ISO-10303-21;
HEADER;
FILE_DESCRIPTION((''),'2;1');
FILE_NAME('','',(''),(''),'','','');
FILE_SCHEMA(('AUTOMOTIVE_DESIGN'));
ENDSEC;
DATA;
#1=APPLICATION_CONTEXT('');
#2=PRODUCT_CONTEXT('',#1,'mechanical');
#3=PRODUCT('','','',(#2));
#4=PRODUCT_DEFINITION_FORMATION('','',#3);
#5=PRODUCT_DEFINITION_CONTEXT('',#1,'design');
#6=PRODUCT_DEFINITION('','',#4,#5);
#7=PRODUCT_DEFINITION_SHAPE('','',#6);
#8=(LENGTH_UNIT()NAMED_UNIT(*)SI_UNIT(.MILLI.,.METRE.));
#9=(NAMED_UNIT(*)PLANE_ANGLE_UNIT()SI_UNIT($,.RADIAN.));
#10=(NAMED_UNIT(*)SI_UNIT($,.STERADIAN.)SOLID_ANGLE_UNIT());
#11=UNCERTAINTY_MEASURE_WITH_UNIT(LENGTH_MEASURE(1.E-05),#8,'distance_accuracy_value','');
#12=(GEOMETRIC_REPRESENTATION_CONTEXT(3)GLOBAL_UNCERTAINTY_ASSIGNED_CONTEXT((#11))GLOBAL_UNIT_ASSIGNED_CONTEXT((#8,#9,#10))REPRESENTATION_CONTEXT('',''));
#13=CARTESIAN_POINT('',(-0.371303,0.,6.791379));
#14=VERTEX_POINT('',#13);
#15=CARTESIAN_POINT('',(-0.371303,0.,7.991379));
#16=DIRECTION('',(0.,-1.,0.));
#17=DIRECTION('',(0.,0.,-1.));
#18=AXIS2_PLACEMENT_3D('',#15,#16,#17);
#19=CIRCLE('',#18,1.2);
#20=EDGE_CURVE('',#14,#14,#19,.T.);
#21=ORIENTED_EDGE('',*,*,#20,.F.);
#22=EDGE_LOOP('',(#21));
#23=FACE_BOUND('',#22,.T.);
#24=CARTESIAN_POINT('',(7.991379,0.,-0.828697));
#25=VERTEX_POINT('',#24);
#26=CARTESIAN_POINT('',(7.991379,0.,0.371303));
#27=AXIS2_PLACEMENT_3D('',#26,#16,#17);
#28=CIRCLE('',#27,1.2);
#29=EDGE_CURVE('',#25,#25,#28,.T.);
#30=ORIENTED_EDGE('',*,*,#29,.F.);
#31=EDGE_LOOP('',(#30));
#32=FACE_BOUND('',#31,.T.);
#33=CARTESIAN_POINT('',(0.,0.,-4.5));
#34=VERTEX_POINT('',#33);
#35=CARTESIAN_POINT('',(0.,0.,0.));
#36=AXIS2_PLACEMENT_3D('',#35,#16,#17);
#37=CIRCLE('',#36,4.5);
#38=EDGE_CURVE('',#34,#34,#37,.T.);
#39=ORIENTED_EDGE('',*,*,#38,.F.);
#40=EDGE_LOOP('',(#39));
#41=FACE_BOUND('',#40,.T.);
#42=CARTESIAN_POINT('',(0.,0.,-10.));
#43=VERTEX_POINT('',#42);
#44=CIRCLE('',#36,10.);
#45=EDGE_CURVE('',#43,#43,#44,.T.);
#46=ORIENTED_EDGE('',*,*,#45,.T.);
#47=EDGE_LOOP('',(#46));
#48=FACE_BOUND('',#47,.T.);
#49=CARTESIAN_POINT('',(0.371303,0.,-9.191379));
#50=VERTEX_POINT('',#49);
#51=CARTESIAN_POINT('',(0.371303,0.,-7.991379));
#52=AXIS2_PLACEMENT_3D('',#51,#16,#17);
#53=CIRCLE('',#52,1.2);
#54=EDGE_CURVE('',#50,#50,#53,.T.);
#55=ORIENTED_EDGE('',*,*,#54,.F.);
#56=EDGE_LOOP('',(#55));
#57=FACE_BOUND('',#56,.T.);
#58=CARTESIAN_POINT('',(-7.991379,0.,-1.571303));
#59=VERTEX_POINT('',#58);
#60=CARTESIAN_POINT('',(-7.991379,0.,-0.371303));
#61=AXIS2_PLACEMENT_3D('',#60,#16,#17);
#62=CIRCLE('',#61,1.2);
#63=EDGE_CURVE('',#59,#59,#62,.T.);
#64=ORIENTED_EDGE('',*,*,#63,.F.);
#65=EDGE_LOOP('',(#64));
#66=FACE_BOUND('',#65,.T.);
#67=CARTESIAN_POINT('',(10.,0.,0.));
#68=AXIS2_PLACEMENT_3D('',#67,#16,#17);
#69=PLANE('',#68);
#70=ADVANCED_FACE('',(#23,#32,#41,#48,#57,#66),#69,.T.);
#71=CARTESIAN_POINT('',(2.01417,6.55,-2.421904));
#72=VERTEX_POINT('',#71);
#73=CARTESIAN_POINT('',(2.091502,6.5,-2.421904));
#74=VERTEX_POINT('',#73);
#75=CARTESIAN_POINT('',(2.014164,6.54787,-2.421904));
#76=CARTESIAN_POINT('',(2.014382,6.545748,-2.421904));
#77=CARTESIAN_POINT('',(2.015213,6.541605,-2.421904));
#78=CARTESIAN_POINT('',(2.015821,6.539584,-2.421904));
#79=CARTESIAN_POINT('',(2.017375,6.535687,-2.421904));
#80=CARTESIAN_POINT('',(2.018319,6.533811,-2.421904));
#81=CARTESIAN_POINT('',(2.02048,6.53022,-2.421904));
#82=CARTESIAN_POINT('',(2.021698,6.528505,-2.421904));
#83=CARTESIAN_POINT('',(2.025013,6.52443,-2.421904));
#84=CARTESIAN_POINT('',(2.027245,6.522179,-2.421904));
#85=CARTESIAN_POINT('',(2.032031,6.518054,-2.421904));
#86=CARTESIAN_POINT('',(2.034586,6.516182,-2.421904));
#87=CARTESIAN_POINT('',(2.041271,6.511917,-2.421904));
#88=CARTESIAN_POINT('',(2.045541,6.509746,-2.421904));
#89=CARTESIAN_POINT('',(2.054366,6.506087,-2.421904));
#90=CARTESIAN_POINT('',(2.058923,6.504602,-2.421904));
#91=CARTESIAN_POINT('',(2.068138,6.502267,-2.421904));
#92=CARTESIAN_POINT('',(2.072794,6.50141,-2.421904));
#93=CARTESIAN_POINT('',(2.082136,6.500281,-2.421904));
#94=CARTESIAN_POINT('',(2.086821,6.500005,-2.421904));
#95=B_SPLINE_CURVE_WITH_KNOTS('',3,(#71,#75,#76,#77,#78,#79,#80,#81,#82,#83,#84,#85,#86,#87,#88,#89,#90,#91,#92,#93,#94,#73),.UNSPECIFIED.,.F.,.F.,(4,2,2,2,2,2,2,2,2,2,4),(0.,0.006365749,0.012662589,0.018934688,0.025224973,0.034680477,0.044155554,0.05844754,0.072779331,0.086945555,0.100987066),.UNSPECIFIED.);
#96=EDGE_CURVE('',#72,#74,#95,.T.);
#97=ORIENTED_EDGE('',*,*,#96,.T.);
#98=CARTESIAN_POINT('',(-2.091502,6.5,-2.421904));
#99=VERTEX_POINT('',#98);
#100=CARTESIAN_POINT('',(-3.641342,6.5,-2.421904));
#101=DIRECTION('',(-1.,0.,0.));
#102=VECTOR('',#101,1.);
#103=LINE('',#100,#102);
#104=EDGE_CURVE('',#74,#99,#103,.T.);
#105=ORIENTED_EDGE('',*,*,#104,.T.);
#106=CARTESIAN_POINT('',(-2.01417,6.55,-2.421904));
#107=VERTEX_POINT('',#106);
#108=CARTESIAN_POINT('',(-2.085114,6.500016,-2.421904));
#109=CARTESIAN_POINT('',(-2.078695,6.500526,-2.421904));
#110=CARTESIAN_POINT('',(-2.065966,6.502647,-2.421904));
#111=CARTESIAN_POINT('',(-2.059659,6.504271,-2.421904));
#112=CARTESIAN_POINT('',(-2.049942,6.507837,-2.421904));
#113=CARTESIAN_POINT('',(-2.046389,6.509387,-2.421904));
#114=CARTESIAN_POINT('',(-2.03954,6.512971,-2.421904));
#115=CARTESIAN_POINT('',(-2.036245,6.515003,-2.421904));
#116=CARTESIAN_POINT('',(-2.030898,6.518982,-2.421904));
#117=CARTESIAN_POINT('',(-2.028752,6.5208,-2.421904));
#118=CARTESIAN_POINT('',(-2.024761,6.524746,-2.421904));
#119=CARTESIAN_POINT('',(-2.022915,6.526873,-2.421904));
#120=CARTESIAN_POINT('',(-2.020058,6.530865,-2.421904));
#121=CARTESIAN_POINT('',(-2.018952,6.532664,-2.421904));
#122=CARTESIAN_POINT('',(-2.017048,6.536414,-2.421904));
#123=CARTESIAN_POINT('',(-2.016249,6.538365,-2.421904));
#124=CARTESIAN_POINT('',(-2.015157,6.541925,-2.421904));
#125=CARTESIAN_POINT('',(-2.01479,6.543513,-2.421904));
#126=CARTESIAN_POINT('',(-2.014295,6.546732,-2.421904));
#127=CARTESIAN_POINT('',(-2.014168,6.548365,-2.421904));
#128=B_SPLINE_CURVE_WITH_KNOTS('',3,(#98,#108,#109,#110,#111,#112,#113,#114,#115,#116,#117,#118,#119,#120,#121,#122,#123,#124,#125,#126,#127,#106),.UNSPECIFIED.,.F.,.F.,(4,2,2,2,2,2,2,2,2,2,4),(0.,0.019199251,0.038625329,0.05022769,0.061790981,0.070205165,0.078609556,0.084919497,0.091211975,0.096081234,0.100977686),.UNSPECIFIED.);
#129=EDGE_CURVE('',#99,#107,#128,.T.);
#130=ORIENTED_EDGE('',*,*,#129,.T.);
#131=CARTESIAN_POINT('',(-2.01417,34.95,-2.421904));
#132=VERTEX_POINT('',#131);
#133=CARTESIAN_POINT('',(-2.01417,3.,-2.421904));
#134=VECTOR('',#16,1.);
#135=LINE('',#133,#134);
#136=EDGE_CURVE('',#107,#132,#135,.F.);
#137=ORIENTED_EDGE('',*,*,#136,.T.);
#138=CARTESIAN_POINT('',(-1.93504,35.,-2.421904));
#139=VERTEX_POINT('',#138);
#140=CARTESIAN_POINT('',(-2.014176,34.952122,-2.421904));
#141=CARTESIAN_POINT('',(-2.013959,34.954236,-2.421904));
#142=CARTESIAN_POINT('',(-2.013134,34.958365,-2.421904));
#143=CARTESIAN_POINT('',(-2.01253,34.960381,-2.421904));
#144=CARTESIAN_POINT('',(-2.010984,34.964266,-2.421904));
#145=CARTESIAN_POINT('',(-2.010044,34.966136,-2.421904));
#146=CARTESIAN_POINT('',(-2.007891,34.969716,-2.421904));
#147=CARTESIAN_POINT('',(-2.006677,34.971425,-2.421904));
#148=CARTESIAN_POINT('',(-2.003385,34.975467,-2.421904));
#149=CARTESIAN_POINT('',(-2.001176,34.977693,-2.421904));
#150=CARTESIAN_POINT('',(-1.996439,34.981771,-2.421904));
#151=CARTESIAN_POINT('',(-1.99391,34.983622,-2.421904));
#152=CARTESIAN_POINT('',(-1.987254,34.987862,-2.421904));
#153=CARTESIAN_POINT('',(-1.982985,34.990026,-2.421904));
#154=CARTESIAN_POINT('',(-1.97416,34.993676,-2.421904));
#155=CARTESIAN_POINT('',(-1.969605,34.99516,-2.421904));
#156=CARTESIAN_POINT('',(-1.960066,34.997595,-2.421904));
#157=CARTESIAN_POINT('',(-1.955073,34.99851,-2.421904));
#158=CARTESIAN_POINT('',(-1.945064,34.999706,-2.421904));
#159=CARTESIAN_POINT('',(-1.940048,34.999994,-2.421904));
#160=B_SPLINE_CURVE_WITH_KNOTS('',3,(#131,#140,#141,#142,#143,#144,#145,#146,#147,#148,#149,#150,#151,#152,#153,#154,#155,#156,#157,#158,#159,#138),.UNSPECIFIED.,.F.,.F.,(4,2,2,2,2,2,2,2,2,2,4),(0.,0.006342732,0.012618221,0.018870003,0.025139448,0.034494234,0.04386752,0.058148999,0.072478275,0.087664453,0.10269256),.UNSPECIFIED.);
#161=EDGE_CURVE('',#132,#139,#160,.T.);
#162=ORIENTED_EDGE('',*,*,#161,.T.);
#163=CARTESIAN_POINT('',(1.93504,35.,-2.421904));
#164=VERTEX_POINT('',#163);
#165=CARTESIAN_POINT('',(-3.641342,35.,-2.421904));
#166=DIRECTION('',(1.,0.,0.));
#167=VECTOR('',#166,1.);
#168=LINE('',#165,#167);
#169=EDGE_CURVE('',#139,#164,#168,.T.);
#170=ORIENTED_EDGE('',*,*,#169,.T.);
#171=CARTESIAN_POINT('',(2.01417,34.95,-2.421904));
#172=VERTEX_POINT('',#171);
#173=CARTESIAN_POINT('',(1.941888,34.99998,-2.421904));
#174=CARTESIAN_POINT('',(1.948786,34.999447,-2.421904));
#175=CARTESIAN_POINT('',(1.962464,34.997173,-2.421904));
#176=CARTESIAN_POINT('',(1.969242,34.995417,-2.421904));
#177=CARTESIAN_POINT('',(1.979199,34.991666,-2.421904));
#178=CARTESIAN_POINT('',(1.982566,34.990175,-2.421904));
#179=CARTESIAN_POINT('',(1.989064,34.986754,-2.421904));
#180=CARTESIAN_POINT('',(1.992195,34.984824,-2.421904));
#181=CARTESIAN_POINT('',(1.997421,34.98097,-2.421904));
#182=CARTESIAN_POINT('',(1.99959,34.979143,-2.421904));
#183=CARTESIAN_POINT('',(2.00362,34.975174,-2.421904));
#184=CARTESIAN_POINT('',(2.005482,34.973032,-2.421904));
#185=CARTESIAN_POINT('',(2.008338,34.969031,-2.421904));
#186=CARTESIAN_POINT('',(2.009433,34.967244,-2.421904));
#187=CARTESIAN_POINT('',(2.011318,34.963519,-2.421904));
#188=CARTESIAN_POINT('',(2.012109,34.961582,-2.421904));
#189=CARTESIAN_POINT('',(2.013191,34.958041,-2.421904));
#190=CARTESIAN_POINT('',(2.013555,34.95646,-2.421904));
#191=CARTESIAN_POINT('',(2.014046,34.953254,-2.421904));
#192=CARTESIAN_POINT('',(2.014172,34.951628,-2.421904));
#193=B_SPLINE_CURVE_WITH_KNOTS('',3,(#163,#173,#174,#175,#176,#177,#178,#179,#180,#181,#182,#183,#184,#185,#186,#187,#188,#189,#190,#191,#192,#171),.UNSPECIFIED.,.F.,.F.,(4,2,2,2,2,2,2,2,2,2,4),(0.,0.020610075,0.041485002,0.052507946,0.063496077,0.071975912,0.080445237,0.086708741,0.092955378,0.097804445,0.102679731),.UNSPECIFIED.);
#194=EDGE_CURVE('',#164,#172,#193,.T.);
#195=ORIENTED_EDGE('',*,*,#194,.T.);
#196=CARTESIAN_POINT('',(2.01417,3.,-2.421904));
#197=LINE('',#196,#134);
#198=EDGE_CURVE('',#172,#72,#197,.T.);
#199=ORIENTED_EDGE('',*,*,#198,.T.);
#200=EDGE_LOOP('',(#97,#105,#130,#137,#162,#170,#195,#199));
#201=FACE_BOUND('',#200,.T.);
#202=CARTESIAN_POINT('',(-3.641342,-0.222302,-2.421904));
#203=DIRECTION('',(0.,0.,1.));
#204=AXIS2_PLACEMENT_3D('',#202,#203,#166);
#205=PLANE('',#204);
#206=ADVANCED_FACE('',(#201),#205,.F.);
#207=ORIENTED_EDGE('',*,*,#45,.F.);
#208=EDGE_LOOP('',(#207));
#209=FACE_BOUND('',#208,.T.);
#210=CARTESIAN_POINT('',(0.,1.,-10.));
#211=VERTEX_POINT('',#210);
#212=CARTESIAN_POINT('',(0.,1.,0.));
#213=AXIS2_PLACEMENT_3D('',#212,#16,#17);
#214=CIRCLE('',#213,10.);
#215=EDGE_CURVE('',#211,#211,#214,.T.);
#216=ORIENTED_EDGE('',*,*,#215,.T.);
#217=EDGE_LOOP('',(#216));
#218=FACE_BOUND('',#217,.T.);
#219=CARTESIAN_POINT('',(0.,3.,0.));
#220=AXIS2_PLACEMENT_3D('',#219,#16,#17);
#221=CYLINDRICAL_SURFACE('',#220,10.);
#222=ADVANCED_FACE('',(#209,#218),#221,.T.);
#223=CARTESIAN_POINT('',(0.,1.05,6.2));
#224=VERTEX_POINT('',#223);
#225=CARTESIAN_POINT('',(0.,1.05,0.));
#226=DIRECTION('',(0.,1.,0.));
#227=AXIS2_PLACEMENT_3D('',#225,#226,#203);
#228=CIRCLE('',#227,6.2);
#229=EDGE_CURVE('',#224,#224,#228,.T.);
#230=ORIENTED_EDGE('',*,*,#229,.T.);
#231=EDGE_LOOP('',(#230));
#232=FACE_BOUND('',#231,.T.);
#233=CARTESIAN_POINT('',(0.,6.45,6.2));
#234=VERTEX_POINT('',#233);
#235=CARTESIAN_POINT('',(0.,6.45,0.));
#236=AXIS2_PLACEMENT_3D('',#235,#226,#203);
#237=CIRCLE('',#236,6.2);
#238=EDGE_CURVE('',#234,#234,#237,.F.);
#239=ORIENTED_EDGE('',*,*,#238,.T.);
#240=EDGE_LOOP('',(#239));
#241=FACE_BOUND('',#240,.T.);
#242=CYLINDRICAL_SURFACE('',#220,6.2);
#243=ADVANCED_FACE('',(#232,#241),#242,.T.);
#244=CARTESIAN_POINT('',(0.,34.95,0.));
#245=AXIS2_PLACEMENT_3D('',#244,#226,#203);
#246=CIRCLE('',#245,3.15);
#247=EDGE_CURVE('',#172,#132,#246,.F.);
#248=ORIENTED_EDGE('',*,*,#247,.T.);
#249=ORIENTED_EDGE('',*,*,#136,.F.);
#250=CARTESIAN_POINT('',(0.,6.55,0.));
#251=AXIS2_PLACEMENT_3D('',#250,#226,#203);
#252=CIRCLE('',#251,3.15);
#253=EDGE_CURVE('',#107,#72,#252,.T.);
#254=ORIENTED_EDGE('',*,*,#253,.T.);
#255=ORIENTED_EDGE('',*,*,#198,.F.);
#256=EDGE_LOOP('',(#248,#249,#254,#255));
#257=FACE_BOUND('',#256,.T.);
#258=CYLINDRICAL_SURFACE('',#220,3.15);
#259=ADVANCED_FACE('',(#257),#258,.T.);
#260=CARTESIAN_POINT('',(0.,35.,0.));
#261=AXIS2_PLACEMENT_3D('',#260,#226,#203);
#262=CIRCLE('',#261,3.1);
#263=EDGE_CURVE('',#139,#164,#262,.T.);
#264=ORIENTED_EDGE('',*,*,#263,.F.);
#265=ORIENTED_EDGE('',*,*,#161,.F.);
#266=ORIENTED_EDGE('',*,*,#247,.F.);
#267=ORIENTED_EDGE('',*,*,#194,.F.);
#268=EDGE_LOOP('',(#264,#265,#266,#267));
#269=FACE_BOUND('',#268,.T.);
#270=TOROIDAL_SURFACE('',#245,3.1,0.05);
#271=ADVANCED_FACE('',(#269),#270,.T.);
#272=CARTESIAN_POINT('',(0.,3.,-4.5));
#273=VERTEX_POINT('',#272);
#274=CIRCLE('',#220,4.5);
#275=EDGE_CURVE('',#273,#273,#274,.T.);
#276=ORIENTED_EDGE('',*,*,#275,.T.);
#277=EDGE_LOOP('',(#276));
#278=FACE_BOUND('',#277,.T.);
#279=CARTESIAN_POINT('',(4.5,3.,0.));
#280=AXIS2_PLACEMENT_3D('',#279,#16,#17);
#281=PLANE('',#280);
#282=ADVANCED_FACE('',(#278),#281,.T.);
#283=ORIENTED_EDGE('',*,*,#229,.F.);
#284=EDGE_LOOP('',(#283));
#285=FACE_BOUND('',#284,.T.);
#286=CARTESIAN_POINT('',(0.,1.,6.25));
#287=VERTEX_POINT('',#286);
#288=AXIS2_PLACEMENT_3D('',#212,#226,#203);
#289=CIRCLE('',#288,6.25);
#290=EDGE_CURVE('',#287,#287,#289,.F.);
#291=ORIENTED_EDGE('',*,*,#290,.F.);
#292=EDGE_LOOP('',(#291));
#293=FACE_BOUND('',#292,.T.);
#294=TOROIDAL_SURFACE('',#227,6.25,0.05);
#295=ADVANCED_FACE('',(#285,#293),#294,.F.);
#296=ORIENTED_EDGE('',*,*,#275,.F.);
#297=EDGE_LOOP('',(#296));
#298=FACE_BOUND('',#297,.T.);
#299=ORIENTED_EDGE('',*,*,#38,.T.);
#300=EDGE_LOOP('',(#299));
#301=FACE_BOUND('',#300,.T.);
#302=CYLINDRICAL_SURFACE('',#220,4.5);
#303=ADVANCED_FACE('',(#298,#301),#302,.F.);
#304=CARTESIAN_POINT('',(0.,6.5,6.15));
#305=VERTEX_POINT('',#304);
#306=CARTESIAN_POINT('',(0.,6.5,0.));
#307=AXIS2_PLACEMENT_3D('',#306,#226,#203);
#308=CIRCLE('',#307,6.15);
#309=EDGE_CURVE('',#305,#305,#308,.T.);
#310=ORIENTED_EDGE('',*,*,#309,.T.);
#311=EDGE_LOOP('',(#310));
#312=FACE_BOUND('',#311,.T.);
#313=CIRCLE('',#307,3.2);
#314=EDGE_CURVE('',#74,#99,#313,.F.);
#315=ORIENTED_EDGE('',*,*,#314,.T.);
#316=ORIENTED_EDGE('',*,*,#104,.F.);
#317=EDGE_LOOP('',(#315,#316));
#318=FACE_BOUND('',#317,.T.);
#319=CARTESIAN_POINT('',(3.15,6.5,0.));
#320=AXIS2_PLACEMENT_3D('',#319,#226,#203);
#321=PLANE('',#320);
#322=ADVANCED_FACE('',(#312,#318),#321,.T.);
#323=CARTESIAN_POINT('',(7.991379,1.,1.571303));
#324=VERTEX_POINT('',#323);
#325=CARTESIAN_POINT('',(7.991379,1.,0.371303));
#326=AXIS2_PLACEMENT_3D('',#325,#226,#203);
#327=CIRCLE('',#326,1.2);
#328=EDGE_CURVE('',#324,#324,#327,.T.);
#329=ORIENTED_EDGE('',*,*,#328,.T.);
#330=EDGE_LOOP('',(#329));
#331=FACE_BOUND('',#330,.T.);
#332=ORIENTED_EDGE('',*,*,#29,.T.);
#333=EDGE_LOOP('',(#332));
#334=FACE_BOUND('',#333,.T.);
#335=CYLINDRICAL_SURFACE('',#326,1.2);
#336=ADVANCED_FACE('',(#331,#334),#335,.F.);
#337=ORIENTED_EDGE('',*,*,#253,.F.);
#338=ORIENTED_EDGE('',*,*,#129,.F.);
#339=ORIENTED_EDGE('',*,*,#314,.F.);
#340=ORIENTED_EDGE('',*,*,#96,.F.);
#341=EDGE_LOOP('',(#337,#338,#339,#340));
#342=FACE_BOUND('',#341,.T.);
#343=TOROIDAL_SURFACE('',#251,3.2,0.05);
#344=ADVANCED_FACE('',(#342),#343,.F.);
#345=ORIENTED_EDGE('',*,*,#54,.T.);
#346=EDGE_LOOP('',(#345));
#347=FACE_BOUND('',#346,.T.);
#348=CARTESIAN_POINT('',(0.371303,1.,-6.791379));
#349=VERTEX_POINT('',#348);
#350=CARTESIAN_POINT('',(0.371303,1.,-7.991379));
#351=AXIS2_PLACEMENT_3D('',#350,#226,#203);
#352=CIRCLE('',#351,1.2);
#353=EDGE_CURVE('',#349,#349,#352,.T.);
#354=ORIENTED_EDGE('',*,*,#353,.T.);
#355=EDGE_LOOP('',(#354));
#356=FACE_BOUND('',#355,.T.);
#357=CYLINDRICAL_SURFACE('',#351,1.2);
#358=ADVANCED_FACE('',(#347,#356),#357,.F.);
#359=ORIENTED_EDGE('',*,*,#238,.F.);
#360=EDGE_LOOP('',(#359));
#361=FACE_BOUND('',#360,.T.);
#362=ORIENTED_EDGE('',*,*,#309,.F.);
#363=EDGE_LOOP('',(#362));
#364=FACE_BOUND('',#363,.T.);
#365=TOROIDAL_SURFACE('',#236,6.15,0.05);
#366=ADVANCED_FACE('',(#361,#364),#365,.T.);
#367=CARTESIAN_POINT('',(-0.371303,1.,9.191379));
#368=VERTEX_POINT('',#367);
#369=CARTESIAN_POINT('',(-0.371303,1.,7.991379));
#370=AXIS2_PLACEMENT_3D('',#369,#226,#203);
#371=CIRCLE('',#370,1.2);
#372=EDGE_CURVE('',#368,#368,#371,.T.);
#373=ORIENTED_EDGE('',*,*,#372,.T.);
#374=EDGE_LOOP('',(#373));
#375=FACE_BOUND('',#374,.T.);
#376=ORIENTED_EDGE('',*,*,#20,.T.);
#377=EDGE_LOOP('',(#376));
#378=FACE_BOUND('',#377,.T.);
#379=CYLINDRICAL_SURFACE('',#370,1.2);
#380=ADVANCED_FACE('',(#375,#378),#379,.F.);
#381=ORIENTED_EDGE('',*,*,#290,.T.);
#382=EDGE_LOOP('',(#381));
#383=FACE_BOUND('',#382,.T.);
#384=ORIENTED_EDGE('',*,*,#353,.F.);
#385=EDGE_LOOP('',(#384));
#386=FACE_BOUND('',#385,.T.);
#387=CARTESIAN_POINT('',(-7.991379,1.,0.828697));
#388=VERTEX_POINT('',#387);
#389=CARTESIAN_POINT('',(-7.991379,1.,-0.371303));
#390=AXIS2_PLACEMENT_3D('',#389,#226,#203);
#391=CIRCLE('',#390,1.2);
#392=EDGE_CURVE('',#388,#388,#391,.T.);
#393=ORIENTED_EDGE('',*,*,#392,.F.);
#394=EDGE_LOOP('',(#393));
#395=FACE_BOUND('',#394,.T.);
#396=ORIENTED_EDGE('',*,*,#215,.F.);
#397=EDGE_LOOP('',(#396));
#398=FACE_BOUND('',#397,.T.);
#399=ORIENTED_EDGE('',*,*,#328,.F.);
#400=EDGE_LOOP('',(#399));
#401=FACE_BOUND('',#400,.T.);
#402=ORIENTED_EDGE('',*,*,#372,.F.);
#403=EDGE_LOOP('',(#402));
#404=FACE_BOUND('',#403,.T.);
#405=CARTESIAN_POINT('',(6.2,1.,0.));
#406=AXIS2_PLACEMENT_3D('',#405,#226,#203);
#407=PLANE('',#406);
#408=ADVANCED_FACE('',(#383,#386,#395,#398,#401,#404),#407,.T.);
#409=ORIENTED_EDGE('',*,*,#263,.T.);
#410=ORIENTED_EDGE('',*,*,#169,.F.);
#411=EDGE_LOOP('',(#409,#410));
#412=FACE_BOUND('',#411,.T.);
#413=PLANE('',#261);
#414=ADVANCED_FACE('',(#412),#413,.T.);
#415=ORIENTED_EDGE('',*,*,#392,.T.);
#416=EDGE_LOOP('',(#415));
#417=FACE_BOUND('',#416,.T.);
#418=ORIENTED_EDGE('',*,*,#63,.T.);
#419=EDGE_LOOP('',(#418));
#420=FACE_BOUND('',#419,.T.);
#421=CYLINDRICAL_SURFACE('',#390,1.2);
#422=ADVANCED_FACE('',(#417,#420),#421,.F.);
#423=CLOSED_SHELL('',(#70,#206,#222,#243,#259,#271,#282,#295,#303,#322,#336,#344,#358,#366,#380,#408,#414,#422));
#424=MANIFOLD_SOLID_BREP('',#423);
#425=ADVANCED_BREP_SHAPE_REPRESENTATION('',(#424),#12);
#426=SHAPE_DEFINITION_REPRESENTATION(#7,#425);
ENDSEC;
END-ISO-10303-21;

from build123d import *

# Parameters (mm, degrees)
ESQUISSE3_W                  = 6.57785754
ESQUISSE3_H                  = 1.386048805
ENL_V_MAT_EXTRU_1_DEPTH      = 28.5
D_GAGEMENT_M21_D             = 2.4
R_P_TITION_CIRCULAIRE1_COUNT = 4
CONG_1_R                     = 0.05


with BuildPart() as part:
    # Esquisse2 → Révolution2 (revolve)
    with BuildSketch(Plane.XY, mode=Mode.PRIVATE) as r_volution2_sk:
        Polygon((0, 35), (3.15, 35), (3.15, 6.5), (6.2, 6.5), (6.2, 3), (6.2, 1), (10, 1), (10, 0), (4.5, 0), (4.5, 3), (0, 3), align=None)
    revolve(r_volution2_sk.sketch.rotate(Axis((0, 3, 0), (0, 1, 0)), 90), axis=Axis((0, 3, 0), (0, 1, 0)))

    # Esquisse3 → Enlèv. mat.-Extru.1 (cut)
    with BuildSketch(Plane(origin=(0, 35, 0), x_dir=(1, 0, 0), z_dir=(0, 1, 0))):
        with Locations((-0.352413472, 3.114928535)):
            Rectangle(ESQUISSE3_W, ESQUISSE3_H)
    extrude(amount=-ENL_V_MAT_EXTRU_1_DEPTH, mode=Mode.SUBTRACT)

    # Dégagement M21 (through all)
    with Locations(Plane(origin=(0, 1, 0), x_dir=(1, 0, 0), z_dir=(0, 1, 0))):
        with Locations((0.371303159, 7.991378727)):
            d_gagement_m21 = Hole(D_GAGEMENT_M21_D / 2)

    # Répétition circulaire1: Dégagement M21 ×4 about axis
    r_p_tition_circulaire1_axis = Axis((0, 0, 0), (0, 1, 0))
    for i in range(1, R_P_TITION_CIRCULAIRE1_COUNT):
        add(d_gagement_m21.rotate(r_p_tition_circulaire1_axis, i * 360 / R_P_TITION_CIRCULAIRE1_COUNT), mode=Mode.SUBTRACT)

    # Congé1
    cong_1_edges = [part.edges().sort_by_distance(p)[0] for p in [
        (0, 6.5, 6.2),
        (0, 6.5, 3.15),
        (0, 35, 3.15),
        (0, 1, 6.2),
    ]]
    fillet(cong_1_edges, radius=CONG_1_R)


solid = part.part
